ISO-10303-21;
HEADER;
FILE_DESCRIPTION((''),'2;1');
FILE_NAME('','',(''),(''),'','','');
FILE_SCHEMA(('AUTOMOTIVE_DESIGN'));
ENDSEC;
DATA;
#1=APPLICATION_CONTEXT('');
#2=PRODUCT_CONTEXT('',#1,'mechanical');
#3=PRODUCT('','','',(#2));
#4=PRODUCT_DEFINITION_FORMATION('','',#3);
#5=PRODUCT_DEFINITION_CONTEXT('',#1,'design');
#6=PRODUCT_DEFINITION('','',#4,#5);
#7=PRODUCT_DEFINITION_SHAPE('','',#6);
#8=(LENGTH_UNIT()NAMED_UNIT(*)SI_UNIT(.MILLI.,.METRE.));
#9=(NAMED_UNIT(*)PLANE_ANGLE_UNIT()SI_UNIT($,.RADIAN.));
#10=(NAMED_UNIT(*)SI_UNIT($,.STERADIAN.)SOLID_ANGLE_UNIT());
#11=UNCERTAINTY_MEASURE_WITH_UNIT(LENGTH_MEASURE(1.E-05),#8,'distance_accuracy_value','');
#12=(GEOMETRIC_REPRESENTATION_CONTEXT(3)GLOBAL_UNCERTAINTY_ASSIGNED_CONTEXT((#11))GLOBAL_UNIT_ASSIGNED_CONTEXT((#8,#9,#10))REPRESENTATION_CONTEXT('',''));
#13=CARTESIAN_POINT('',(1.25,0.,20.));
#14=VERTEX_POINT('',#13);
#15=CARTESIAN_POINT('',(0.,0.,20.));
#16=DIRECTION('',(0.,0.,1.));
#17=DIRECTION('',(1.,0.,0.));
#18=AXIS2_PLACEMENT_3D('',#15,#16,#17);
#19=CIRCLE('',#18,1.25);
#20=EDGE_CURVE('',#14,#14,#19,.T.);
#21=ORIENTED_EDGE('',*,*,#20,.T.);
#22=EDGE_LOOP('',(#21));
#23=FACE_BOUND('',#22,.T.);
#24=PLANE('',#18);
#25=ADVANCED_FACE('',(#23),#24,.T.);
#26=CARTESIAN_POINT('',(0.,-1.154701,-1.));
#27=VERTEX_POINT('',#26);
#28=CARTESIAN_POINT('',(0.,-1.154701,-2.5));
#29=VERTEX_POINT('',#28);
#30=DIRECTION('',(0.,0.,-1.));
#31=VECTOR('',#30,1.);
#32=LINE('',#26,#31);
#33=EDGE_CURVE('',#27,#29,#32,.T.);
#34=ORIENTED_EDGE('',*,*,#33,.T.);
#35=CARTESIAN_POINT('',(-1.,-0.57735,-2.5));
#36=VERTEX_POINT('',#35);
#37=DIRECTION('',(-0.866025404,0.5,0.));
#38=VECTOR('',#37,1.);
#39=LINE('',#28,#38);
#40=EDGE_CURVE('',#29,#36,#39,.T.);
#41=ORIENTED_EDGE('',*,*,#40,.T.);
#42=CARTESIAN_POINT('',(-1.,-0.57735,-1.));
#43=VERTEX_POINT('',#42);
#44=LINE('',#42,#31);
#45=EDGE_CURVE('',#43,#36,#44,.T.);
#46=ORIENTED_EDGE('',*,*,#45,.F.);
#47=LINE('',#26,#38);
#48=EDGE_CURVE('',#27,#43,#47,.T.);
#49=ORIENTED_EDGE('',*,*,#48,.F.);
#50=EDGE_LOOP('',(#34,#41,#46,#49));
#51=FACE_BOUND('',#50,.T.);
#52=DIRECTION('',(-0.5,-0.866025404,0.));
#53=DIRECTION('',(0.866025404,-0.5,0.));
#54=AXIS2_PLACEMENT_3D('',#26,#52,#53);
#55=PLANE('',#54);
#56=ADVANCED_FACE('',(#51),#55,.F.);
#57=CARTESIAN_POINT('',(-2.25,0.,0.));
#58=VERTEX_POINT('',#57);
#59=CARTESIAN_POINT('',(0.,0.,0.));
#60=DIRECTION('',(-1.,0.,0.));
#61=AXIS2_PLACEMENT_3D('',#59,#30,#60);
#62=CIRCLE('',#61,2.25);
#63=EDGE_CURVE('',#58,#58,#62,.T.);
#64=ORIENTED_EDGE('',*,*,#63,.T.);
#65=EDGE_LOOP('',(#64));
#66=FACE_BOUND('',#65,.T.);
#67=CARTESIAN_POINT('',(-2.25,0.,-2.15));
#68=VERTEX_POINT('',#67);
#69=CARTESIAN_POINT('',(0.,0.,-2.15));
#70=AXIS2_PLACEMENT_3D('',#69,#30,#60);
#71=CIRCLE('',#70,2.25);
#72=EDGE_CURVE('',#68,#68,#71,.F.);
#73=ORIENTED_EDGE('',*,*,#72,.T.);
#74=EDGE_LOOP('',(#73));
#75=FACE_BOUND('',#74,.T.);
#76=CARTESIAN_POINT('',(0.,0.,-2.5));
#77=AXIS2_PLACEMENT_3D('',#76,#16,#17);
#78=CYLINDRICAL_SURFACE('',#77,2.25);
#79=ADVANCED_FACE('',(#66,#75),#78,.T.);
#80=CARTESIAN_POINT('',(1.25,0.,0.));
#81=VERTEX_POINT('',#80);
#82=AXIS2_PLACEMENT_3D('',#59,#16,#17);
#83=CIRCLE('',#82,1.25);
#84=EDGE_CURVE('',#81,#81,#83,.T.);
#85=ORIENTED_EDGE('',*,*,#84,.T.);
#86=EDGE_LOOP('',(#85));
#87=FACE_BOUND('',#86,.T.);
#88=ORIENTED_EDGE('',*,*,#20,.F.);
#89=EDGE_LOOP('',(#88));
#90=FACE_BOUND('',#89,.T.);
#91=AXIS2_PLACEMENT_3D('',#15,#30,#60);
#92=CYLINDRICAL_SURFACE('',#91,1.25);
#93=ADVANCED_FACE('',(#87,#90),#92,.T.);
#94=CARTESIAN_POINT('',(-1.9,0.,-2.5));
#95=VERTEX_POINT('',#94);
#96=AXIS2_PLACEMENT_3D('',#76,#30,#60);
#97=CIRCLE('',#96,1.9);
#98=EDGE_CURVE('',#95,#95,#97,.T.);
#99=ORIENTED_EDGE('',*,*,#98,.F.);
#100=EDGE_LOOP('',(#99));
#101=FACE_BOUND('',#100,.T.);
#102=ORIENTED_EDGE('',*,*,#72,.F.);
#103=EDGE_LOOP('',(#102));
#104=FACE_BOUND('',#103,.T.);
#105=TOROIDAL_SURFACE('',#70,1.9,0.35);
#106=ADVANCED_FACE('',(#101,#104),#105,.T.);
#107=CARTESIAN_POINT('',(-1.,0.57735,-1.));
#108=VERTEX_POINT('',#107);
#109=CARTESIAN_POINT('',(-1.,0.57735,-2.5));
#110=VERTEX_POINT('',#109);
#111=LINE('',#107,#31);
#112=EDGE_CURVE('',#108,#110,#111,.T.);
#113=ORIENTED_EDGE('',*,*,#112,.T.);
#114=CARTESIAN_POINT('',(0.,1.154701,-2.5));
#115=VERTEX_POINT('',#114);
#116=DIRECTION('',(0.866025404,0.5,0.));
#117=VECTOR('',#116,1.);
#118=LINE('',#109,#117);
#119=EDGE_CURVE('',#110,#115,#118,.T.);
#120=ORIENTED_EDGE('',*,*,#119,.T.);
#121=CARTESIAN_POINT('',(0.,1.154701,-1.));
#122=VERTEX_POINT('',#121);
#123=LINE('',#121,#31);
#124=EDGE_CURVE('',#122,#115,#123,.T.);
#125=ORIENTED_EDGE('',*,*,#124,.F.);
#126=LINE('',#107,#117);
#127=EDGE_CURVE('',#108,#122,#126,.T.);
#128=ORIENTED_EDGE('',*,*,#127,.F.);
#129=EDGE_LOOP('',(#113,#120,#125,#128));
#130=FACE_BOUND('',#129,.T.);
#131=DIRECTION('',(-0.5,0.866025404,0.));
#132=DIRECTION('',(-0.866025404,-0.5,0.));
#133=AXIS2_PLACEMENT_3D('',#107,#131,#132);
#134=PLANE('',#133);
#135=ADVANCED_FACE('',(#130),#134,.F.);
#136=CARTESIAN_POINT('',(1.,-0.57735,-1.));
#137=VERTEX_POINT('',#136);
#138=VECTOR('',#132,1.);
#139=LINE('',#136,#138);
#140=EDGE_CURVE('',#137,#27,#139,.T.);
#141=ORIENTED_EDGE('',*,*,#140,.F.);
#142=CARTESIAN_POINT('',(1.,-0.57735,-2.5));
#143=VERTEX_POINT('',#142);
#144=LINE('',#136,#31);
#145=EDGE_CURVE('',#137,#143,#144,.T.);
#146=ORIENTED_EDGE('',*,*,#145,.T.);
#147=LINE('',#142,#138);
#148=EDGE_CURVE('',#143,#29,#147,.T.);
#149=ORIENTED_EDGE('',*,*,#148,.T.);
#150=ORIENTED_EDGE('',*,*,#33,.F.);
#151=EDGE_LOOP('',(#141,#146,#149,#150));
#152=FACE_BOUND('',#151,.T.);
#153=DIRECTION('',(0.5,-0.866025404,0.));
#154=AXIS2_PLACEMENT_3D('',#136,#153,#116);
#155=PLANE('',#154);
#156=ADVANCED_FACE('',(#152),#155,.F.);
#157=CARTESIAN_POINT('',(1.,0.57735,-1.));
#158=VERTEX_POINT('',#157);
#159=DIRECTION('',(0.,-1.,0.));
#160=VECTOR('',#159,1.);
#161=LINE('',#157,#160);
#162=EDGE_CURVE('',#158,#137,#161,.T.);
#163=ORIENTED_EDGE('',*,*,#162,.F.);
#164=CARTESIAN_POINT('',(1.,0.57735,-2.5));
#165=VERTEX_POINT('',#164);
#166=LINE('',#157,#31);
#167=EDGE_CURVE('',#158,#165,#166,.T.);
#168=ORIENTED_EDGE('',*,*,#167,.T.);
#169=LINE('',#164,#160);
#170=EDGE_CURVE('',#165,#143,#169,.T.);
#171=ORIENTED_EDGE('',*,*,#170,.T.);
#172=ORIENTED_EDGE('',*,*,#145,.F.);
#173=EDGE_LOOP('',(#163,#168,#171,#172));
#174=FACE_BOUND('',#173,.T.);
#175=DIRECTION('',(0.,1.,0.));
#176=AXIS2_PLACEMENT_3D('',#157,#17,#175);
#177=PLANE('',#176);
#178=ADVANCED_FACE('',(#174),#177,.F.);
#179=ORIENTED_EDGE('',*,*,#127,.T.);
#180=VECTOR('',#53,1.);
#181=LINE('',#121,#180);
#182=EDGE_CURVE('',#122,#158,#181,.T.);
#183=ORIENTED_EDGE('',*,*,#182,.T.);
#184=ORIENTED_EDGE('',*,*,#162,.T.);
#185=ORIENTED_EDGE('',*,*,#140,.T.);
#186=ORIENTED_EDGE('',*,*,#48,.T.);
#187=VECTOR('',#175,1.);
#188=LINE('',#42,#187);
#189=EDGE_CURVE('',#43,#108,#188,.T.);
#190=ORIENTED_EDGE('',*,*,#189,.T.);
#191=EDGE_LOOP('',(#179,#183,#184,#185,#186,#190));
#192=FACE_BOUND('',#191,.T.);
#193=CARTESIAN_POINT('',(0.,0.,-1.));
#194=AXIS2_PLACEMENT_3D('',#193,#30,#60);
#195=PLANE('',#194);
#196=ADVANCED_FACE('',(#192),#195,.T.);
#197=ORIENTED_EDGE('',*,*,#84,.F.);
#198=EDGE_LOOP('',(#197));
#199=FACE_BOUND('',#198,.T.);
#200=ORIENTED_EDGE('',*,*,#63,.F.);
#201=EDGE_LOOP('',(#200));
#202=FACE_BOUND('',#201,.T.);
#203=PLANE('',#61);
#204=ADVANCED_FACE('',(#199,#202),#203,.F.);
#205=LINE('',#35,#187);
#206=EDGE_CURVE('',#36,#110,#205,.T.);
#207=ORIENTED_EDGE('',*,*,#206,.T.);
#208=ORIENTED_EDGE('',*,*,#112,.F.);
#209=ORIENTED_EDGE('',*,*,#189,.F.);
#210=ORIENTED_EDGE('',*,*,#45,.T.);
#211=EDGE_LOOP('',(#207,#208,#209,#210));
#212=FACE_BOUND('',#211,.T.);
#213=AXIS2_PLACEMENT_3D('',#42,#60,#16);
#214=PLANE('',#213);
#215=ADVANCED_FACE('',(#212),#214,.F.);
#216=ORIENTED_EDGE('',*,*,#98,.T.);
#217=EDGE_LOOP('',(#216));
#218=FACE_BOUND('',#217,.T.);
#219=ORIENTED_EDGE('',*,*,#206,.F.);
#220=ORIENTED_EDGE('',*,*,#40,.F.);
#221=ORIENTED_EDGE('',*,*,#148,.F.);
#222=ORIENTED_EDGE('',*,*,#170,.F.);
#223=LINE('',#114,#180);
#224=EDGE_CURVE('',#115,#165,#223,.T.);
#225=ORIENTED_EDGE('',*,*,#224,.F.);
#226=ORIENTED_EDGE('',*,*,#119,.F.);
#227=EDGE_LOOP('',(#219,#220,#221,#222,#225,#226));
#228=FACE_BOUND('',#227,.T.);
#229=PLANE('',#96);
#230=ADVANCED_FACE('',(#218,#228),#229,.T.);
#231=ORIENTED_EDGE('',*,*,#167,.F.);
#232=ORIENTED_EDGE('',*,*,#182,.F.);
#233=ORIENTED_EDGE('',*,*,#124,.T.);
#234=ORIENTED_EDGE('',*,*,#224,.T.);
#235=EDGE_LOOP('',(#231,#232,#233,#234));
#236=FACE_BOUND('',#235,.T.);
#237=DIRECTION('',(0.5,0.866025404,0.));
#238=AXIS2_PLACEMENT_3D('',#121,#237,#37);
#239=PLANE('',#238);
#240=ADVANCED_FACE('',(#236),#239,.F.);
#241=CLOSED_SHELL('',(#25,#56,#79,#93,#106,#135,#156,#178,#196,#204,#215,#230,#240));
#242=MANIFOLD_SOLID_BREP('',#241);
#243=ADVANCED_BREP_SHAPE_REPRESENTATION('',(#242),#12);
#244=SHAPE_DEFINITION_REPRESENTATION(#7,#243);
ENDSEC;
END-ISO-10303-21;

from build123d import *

# Parameters (mm, degrees)
CROQUIS1_R              = 1.25
SALIENTE_EXTRUIR1_DEPTH = 20
CROQUIS2_R              = 2.25
SALIENTE_EXTRUIR2_DEPTH = 2.5
CORTAR_EXTRUIR1_DEPTH   = 1.5
REDONDEO1_R             = 0.35


with BuildPart() as part:
    # Croquis1 → Saliente-Extruir1 (new body)
    with BuildSketch(Plane.XY):
        Circle(CROQUIS1_R)
    extrude(amount=SALIENTE_EXTRUIR1_DEPTH)

    # Croquis2 → Saliente-Extruir2 (add)
    with BuildSketch(Plane(origin=(0, 0, 0), x_dir=(-1, 0, 0), z_dir=(0, 0, -1))):
        Circle(CROQUIS2_R)
    extrude(amount=SALIENTE_EXTRUIR2_DEPTH)

    # Croquis3 → Cortar-Extruir1 (cut)
    with BuildSketch(Plane(origin=(0, 0, -2.5), x_dir=(-1, 0, 0), z_dir=(0, 0, -1))):
        Polygon((0, -1.154700538), (1, -0.577350269), (1, 0.577350269), (0, 1.154700538), (-1, 0.577350269), (-1, -0.577350269), align=None)
    extrude(amount=-CORTAR_EXTRUIR1_DEPTH, mode=Mode.SUBTRACT)

    # Redondeo1
    redondeo1_edges = [part.edges().sort_by_distance(p)[0] for p in [
        (2.25, 0, -2.5),
    ]]
    fillet(redondeo1_edges, radius=REDONDEO1_R)


solid = part.part
